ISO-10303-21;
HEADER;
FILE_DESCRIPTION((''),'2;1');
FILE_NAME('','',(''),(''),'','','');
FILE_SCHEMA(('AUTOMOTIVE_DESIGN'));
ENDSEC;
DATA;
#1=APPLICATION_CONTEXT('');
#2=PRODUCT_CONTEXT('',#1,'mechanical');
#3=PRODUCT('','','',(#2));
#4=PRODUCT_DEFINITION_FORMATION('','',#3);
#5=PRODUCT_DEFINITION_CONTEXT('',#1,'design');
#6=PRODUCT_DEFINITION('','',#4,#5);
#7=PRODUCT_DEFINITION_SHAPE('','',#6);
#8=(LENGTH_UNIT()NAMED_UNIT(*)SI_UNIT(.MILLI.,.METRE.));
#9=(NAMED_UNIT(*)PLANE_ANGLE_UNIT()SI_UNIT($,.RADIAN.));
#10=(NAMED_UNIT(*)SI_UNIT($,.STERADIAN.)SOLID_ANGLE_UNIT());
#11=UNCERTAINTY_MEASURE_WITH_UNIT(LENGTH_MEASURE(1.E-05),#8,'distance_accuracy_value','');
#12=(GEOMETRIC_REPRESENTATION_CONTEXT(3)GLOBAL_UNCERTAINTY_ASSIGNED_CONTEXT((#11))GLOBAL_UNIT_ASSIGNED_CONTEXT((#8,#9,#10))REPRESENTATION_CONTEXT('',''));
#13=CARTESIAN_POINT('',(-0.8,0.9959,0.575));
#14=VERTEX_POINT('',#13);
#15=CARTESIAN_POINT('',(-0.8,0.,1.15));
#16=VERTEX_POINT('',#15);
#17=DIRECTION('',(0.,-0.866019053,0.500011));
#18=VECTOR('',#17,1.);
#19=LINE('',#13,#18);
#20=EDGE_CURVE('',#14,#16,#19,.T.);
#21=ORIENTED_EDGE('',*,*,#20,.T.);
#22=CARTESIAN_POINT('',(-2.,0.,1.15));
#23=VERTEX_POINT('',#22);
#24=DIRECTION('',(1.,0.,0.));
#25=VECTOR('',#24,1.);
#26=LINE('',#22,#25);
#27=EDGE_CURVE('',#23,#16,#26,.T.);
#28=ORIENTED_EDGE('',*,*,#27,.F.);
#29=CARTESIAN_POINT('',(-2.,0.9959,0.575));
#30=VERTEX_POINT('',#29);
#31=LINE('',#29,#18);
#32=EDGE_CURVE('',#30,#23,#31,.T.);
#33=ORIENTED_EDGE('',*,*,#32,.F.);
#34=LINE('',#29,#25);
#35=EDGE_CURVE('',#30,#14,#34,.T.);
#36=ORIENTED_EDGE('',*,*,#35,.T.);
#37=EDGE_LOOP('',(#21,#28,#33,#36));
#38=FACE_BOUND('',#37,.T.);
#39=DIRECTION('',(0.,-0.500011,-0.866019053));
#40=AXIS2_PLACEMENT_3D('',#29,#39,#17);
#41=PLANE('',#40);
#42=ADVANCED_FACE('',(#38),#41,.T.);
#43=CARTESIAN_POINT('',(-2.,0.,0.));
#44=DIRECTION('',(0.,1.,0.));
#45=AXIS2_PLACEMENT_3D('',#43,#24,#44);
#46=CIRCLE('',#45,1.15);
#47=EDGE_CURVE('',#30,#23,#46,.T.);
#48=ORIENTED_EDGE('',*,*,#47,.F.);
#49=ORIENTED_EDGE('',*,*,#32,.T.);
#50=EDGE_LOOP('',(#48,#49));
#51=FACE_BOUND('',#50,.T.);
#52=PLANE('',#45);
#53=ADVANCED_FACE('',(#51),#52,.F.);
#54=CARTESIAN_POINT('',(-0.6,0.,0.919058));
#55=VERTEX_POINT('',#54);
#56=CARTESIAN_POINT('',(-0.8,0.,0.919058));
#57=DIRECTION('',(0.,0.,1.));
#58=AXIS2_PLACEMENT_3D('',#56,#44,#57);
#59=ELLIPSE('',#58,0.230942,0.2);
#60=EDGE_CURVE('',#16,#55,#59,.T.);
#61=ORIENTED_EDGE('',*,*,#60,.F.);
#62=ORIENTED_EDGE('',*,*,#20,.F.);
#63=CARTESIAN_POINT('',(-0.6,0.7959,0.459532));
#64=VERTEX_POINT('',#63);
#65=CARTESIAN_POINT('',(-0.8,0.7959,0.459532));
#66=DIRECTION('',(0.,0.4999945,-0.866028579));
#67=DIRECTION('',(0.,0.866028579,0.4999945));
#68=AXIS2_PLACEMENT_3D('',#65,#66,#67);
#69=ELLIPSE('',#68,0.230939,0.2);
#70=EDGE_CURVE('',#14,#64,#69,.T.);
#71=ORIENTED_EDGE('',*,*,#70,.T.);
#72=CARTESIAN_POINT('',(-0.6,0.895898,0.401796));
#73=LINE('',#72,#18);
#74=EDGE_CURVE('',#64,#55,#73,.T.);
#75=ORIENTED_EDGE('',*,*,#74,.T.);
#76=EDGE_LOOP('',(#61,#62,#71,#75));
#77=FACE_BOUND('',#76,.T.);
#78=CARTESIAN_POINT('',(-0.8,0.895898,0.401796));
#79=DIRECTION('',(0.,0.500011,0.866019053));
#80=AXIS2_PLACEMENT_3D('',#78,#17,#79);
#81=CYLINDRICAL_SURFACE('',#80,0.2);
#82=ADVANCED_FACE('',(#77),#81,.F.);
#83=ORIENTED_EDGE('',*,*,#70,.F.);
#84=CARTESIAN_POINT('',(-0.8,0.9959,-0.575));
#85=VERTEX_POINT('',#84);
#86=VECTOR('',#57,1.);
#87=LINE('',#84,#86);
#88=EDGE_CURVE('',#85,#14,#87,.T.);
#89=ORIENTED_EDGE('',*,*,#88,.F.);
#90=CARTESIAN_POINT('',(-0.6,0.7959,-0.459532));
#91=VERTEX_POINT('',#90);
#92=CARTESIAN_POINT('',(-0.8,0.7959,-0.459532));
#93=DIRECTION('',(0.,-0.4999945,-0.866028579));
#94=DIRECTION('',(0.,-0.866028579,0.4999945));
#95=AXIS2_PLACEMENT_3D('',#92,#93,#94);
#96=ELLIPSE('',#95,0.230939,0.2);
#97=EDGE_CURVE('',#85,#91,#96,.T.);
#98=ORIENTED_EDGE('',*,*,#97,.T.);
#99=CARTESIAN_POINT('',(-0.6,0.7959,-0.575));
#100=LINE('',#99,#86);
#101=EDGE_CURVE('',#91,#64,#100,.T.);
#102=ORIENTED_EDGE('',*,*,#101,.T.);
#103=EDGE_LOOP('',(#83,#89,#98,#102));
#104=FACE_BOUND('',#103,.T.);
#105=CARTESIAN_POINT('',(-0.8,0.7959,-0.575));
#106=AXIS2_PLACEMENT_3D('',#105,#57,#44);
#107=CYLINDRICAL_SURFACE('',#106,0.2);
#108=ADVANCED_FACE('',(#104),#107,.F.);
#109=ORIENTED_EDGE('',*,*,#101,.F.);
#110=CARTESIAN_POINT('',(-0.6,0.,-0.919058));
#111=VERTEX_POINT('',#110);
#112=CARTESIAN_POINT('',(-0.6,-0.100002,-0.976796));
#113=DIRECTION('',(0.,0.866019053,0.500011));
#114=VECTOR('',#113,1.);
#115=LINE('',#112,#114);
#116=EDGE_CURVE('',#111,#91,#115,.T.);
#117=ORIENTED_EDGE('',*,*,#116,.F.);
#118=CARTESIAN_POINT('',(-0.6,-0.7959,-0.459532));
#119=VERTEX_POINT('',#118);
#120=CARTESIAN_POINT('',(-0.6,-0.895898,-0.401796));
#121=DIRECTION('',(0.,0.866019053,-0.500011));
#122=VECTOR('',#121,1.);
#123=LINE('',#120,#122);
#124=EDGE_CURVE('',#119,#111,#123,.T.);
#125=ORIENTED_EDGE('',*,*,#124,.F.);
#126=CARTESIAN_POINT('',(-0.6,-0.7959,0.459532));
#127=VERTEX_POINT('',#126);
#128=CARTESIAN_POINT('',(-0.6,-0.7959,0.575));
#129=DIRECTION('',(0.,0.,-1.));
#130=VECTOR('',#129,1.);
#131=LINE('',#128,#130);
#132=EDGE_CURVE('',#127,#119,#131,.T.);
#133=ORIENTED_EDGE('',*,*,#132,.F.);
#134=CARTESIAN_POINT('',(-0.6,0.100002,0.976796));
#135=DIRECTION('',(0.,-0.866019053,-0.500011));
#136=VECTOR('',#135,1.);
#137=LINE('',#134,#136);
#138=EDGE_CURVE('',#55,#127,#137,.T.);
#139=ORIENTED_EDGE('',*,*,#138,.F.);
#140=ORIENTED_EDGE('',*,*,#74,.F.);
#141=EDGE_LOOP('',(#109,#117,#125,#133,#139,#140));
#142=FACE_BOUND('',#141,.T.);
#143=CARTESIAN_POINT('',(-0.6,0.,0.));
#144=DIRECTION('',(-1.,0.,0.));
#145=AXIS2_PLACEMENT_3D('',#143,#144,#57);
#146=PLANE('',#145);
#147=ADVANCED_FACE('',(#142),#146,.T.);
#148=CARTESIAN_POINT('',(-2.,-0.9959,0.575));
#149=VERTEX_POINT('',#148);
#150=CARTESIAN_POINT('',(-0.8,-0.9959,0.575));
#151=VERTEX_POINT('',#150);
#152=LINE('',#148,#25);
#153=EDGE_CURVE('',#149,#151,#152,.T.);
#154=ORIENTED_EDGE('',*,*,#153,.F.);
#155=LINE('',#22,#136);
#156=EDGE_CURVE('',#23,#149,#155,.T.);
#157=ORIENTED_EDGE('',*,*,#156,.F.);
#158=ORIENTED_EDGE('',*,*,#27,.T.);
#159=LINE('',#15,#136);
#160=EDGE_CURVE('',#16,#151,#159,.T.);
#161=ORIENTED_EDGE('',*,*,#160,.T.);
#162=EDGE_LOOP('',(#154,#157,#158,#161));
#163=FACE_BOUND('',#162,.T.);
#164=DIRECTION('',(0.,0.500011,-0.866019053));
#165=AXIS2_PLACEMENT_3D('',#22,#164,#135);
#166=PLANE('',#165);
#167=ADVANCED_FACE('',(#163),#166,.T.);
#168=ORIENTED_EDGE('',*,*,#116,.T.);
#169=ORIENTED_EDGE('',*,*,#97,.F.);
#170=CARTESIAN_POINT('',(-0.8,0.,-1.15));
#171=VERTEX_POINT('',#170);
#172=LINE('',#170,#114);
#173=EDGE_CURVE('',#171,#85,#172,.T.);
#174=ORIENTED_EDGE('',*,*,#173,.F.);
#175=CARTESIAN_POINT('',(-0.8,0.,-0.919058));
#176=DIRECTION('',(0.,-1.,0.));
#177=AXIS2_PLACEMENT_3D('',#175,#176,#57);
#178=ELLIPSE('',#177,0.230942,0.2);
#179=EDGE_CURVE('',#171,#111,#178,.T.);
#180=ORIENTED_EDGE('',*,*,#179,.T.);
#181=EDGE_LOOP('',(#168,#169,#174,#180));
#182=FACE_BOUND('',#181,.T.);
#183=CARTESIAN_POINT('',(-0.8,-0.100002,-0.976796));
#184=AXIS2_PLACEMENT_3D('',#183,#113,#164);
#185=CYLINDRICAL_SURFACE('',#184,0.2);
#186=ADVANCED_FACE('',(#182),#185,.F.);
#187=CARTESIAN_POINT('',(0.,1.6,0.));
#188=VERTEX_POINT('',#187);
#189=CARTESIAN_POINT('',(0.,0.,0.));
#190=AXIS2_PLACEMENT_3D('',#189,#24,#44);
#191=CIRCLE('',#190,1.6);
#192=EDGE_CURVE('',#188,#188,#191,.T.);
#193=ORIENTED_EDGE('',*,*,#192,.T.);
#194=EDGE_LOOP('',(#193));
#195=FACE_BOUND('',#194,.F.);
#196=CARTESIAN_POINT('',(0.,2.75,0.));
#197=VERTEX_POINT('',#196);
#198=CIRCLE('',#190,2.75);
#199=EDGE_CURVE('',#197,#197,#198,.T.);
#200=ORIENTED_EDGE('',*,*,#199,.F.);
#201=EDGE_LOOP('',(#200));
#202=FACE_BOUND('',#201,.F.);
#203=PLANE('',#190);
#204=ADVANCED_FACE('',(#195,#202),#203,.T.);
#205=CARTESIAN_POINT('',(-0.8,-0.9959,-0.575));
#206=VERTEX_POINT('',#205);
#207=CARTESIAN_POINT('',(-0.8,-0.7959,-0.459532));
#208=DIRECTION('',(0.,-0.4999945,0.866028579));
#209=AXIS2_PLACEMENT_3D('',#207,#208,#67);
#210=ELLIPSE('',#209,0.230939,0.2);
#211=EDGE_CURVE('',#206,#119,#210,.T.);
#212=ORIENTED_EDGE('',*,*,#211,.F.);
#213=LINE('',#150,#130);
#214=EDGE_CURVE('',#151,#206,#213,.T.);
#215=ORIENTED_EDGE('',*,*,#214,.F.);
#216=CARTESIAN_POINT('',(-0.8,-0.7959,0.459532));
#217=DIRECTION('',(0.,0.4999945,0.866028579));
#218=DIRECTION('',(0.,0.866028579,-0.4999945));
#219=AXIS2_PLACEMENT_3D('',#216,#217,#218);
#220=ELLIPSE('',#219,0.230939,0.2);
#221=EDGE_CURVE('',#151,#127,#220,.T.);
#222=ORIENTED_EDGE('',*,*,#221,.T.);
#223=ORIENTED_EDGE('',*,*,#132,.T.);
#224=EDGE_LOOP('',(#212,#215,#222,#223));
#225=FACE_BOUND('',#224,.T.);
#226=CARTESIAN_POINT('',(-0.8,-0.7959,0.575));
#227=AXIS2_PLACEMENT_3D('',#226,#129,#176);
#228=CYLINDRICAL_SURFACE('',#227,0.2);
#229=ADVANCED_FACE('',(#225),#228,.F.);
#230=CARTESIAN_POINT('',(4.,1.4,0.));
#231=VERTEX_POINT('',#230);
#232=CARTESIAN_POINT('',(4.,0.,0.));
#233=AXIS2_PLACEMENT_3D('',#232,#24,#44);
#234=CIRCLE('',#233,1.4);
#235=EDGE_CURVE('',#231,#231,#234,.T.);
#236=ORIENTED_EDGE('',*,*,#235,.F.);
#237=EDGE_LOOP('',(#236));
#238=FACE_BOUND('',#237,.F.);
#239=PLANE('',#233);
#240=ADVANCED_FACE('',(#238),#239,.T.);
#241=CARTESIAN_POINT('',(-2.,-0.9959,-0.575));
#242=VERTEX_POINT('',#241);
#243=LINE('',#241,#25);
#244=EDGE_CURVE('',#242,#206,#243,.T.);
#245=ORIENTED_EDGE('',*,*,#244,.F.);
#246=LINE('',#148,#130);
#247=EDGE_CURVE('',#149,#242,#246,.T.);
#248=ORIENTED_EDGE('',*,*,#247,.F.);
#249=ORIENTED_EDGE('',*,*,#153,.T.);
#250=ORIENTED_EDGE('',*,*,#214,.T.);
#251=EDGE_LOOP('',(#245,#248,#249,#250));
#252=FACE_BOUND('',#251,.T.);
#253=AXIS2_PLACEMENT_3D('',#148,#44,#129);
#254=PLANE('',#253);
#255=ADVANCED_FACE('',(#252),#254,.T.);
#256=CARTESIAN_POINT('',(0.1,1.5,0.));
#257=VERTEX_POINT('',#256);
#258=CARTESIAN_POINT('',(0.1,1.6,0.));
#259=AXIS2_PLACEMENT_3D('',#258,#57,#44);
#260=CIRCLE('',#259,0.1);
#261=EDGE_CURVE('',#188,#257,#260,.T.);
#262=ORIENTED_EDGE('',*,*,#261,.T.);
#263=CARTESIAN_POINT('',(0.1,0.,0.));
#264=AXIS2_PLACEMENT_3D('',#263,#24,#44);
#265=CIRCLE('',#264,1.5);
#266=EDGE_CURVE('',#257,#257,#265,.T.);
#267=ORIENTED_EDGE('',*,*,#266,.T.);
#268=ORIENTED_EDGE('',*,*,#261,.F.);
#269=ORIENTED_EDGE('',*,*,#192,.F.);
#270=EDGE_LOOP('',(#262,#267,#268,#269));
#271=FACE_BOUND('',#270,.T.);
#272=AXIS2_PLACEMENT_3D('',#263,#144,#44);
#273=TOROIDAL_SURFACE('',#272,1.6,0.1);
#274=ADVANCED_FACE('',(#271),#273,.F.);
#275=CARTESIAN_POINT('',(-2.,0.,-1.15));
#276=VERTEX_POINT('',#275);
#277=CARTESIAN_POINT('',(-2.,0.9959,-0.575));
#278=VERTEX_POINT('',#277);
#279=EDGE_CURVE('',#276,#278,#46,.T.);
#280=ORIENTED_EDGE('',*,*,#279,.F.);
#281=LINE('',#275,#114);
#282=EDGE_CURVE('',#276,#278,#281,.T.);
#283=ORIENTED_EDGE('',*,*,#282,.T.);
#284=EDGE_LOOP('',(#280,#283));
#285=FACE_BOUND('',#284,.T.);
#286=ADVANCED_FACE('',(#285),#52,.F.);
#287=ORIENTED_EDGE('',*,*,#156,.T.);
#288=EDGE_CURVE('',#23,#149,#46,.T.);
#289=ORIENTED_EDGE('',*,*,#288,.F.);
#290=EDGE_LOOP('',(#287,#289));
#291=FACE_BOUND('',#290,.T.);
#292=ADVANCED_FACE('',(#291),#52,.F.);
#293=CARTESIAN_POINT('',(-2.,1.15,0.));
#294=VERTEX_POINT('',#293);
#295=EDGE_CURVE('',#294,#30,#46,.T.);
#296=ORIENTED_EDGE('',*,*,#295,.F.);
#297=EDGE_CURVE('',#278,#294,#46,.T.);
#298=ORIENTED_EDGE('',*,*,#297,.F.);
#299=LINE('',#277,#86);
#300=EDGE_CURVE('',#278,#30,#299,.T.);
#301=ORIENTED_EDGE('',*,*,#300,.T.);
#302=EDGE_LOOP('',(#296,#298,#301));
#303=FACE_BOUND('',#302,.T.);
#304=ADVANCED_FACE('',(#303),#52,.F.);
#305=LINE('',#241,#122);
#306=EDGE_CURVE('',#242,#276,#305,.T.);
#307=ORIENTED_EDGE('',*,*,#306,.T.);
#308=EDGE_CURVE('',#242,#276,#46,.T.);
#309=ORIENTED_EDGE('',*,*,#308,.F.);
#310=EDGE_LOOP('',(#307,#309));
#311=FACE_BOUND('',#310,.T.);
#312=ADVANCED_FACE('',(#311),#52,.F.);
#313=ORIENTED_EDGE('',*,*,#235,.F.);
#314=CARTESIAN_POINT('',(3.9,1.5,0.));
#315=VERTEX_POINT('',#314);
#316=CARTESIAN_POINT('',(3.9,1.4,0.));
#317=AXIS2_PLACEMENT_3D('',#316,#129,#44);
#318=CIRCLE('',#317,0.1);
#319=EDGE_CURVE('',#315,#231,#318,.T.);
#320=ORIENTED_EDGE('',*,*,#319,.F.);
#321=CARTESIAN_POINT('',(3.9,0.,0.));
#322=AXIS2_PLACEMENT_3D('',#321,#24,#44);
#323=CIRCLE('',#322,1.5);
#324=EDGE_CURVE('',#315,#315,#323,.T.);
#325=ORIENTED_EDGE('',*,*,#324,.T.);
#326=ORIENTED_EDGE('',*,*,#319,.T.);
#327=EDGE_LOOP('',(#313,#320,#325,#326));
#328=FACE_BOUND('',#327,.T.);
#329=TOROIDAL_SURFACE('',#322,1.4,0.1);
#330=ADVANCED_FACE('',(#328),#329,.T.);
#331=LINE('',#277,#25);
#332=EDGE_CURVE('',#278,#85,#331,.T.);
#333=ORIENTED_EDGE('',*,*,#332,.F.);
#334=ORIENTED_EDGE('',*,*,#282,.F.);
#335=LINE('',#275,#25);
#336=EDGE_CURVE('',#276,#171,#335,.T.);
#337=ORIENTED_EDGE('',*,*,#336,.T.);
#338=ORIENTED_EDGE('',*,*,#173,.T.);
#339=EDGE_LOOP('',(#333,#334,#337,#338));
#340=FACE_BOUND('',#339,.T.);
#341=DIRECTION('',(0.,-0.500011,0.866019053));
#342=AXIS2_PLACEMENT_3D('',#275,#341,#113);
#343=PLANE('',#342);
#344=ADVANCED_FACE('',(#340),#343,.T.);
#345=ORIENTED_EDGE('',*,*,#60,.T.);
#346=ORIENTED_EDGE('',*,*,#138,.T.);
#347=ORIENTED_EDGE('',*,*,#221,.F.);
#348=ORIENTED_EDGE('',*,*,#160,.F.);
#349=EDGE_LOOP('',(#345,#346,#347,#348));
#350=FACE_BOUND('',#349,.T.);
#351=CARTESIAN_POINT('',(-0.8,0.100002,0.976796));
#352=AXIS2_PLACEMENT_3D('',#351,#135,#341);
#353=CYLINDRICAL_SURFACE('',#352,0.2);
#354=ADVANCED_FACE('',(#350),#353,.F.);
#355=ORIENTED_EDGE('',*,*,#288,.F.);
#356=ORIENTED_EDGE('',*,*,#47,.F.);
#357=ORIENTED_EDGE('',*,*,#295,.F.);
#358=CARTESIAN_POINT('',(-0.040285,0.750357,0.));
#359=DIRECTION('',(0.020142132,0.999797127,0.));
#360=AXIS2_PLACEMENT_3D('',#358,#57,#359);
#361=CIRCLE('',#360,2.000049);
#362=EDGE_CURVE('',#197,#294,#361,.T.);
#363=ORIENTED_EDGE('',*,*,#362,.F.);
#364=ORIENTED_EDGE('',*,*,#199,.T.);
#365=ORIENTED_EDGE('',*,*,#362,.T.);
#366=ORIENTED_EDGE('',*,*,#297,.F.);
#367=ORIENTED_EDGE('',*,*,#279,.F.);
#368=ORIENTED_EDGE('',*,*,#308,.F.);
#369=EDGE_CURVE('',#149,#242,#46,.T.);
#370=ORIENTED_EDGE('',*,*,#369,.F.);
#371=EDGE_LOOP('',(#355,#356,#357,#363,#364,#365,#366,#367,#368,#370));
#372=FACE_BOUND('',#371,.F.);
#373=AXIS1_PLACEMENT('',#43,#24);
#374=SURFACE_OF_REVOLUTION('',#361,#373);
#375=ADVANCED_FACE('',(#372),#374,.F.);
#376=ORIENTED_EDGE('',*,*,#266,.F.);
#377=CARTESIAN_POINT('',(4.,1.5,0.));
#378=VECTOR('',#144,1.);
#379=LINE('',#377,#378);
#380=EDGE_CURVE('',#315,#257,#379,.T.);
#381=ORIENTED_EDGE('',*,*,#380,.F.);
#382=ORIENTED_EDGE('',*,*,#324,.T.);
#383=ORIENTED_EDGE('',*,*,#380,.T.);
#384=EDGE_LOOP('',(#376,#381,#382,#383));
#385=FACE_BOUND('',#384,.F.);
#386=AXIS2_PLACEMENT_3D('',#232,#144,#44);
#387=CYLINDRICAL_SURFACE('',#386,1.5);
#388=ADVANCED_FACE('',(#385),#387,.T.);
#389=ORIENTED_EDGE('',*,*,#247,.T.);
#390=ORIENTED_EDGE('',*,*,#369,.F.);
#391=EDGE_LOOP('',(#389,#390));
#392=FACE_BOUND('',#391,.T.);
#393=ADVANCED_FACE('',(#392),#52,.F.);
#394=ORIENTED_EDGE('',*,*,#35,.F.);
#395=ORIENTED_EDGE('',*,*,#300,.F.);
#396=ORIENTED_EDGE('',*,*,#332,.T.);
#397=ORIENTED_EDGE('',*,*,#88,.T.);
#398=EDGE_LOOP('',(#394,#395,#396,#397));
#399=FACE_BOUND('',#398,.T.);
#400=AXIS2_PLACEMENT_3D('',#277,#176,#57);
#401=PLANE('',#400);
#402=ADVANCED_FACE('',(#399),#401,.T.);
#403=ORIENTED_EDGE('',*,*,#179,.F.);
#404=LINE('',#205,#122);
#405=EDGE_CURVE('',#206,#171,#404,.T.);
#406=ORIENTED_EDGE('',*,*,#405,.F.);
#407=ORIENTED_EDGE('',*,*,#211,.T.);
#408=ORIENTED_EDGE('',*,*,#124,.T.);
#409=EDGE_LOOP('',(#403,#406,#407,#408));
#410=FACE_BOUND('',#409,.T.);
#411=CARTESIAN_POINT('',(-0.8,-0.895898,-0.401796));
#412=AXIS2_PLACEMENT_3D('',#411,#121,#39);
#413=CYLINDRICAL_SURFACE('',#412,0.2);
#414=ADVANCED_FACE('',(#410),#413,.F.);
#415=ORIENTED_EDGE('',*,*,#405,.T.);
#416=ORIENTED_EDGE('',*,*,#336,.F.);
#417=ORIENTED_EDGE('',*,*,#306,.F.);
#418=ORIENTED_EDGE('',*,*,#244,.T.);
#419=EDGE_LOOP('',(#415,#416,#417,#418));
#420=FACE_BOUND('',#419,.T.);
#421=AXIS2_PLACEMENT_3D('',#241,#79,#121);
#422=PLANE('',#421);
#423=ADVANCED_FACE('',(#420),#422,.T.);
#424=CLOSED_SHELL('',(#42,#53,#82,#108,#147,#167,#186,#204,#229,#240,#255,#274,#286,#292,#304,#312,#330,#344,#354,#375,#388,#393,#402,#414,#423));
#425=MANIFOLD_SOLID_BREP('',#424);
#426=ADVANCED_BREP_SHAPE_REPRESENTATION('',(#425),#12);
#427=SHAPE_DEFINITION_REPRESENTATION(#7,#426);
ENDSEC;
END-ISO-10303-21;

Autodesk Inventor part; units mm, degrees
ref_plane "YZ Plane" through (0, 0, 0) normal (1, 0, 0) x (0, 1, 0)
ref_plane "XZ Plane" through (0, 0, 0) normal (0, 1, 0) x (-1, 0, 0)
ref_plane "XY Plane" through (0, 0, 0) normal (0, 0, 1) x (1, 0, 0)
sketch "スケッチ1" plane through (0, 0, 0) normal (0, 0, 1) x (1, 0, 0)
  line L0 (0, 0) -> (4, 0)
  line L1 (4, 0) -> (4, 1.5)
  line L2 (4, 1.5) -> (0, 1.5)
  line L3 (0, 1.5) -> (0, 0)
  line L4 (0, 0) -> (0, 2.75)
  line L5 (0, 0) -> (-2, 0)
  line L6 (-2, 0) -> (0, 0)
  line L7 (-2, 0) -> (-2, 1.15)
  arc A0 (0, 2.75) -> (-2, 1.15) centre (-0.0403, 0.7504) ccw
  dimension "d0" = 1.5
  dimension "d1" = 4
  dimension "d3" = 2
  dimension "d4" = 2.75
  dimension "d5" = 1.15
  dimension "d6" = 2
revolve "回転1" add sketch "スケッチ1" angle 360 about axis through (-2, 0, 0) along (1, 0, 0)
thread "ねじ1" size "M3x0.5" class "6g" standard "ANSI Metric M Profile" length 100
sketch "スケッチ2" plane through (-2, 0, 0) normal (-1, 0, 0) x (0, 0, 1)
  circle A0 centre (0, 0) radius 1.15 projected
  line L0 (-0.575, 0.9959) -> (0.575, 0.9959)
  line L1 (0.575, 0.9959) -> (1.15, 0)
  line L2 (1.15, 0) -> (0.575, -0.9959)
  line L3 (0.575, -0.9959) -> (-0.575, -0.9959)
  line L4 (-0.575, -0.9959) -> (-1.15, 0)
  line L5 (-1.15, 0) -> (-0.575, 0.9959)
  dimension "d10" = 1.15
  dimension "d11" = 1.9919
extrude "押し出し1" cut sketch "スケッチ2" against normal blind 1.4 contours L2 L3 L4 L5 L0 L1
fillet "フィレット1" radius 0.2 6 edges at (-0.6, 0.9959, 0) (-0.6, 0.498, 0.8625) (-0.6, 0.498, -0.8625) (-0.6, -0.498, -0.8625) (-0.6, -0.9959, 0) (-0.6, -0.498, 0.8625)
fillet "フィレット2" radius 0.1 1 edges at (0, -1.5, 0)
fillet "フィレット3" radius 0.1 1 edges at (4, -1.5, 0)
properties part number "ボタンネジM3L4" material "鋼"
